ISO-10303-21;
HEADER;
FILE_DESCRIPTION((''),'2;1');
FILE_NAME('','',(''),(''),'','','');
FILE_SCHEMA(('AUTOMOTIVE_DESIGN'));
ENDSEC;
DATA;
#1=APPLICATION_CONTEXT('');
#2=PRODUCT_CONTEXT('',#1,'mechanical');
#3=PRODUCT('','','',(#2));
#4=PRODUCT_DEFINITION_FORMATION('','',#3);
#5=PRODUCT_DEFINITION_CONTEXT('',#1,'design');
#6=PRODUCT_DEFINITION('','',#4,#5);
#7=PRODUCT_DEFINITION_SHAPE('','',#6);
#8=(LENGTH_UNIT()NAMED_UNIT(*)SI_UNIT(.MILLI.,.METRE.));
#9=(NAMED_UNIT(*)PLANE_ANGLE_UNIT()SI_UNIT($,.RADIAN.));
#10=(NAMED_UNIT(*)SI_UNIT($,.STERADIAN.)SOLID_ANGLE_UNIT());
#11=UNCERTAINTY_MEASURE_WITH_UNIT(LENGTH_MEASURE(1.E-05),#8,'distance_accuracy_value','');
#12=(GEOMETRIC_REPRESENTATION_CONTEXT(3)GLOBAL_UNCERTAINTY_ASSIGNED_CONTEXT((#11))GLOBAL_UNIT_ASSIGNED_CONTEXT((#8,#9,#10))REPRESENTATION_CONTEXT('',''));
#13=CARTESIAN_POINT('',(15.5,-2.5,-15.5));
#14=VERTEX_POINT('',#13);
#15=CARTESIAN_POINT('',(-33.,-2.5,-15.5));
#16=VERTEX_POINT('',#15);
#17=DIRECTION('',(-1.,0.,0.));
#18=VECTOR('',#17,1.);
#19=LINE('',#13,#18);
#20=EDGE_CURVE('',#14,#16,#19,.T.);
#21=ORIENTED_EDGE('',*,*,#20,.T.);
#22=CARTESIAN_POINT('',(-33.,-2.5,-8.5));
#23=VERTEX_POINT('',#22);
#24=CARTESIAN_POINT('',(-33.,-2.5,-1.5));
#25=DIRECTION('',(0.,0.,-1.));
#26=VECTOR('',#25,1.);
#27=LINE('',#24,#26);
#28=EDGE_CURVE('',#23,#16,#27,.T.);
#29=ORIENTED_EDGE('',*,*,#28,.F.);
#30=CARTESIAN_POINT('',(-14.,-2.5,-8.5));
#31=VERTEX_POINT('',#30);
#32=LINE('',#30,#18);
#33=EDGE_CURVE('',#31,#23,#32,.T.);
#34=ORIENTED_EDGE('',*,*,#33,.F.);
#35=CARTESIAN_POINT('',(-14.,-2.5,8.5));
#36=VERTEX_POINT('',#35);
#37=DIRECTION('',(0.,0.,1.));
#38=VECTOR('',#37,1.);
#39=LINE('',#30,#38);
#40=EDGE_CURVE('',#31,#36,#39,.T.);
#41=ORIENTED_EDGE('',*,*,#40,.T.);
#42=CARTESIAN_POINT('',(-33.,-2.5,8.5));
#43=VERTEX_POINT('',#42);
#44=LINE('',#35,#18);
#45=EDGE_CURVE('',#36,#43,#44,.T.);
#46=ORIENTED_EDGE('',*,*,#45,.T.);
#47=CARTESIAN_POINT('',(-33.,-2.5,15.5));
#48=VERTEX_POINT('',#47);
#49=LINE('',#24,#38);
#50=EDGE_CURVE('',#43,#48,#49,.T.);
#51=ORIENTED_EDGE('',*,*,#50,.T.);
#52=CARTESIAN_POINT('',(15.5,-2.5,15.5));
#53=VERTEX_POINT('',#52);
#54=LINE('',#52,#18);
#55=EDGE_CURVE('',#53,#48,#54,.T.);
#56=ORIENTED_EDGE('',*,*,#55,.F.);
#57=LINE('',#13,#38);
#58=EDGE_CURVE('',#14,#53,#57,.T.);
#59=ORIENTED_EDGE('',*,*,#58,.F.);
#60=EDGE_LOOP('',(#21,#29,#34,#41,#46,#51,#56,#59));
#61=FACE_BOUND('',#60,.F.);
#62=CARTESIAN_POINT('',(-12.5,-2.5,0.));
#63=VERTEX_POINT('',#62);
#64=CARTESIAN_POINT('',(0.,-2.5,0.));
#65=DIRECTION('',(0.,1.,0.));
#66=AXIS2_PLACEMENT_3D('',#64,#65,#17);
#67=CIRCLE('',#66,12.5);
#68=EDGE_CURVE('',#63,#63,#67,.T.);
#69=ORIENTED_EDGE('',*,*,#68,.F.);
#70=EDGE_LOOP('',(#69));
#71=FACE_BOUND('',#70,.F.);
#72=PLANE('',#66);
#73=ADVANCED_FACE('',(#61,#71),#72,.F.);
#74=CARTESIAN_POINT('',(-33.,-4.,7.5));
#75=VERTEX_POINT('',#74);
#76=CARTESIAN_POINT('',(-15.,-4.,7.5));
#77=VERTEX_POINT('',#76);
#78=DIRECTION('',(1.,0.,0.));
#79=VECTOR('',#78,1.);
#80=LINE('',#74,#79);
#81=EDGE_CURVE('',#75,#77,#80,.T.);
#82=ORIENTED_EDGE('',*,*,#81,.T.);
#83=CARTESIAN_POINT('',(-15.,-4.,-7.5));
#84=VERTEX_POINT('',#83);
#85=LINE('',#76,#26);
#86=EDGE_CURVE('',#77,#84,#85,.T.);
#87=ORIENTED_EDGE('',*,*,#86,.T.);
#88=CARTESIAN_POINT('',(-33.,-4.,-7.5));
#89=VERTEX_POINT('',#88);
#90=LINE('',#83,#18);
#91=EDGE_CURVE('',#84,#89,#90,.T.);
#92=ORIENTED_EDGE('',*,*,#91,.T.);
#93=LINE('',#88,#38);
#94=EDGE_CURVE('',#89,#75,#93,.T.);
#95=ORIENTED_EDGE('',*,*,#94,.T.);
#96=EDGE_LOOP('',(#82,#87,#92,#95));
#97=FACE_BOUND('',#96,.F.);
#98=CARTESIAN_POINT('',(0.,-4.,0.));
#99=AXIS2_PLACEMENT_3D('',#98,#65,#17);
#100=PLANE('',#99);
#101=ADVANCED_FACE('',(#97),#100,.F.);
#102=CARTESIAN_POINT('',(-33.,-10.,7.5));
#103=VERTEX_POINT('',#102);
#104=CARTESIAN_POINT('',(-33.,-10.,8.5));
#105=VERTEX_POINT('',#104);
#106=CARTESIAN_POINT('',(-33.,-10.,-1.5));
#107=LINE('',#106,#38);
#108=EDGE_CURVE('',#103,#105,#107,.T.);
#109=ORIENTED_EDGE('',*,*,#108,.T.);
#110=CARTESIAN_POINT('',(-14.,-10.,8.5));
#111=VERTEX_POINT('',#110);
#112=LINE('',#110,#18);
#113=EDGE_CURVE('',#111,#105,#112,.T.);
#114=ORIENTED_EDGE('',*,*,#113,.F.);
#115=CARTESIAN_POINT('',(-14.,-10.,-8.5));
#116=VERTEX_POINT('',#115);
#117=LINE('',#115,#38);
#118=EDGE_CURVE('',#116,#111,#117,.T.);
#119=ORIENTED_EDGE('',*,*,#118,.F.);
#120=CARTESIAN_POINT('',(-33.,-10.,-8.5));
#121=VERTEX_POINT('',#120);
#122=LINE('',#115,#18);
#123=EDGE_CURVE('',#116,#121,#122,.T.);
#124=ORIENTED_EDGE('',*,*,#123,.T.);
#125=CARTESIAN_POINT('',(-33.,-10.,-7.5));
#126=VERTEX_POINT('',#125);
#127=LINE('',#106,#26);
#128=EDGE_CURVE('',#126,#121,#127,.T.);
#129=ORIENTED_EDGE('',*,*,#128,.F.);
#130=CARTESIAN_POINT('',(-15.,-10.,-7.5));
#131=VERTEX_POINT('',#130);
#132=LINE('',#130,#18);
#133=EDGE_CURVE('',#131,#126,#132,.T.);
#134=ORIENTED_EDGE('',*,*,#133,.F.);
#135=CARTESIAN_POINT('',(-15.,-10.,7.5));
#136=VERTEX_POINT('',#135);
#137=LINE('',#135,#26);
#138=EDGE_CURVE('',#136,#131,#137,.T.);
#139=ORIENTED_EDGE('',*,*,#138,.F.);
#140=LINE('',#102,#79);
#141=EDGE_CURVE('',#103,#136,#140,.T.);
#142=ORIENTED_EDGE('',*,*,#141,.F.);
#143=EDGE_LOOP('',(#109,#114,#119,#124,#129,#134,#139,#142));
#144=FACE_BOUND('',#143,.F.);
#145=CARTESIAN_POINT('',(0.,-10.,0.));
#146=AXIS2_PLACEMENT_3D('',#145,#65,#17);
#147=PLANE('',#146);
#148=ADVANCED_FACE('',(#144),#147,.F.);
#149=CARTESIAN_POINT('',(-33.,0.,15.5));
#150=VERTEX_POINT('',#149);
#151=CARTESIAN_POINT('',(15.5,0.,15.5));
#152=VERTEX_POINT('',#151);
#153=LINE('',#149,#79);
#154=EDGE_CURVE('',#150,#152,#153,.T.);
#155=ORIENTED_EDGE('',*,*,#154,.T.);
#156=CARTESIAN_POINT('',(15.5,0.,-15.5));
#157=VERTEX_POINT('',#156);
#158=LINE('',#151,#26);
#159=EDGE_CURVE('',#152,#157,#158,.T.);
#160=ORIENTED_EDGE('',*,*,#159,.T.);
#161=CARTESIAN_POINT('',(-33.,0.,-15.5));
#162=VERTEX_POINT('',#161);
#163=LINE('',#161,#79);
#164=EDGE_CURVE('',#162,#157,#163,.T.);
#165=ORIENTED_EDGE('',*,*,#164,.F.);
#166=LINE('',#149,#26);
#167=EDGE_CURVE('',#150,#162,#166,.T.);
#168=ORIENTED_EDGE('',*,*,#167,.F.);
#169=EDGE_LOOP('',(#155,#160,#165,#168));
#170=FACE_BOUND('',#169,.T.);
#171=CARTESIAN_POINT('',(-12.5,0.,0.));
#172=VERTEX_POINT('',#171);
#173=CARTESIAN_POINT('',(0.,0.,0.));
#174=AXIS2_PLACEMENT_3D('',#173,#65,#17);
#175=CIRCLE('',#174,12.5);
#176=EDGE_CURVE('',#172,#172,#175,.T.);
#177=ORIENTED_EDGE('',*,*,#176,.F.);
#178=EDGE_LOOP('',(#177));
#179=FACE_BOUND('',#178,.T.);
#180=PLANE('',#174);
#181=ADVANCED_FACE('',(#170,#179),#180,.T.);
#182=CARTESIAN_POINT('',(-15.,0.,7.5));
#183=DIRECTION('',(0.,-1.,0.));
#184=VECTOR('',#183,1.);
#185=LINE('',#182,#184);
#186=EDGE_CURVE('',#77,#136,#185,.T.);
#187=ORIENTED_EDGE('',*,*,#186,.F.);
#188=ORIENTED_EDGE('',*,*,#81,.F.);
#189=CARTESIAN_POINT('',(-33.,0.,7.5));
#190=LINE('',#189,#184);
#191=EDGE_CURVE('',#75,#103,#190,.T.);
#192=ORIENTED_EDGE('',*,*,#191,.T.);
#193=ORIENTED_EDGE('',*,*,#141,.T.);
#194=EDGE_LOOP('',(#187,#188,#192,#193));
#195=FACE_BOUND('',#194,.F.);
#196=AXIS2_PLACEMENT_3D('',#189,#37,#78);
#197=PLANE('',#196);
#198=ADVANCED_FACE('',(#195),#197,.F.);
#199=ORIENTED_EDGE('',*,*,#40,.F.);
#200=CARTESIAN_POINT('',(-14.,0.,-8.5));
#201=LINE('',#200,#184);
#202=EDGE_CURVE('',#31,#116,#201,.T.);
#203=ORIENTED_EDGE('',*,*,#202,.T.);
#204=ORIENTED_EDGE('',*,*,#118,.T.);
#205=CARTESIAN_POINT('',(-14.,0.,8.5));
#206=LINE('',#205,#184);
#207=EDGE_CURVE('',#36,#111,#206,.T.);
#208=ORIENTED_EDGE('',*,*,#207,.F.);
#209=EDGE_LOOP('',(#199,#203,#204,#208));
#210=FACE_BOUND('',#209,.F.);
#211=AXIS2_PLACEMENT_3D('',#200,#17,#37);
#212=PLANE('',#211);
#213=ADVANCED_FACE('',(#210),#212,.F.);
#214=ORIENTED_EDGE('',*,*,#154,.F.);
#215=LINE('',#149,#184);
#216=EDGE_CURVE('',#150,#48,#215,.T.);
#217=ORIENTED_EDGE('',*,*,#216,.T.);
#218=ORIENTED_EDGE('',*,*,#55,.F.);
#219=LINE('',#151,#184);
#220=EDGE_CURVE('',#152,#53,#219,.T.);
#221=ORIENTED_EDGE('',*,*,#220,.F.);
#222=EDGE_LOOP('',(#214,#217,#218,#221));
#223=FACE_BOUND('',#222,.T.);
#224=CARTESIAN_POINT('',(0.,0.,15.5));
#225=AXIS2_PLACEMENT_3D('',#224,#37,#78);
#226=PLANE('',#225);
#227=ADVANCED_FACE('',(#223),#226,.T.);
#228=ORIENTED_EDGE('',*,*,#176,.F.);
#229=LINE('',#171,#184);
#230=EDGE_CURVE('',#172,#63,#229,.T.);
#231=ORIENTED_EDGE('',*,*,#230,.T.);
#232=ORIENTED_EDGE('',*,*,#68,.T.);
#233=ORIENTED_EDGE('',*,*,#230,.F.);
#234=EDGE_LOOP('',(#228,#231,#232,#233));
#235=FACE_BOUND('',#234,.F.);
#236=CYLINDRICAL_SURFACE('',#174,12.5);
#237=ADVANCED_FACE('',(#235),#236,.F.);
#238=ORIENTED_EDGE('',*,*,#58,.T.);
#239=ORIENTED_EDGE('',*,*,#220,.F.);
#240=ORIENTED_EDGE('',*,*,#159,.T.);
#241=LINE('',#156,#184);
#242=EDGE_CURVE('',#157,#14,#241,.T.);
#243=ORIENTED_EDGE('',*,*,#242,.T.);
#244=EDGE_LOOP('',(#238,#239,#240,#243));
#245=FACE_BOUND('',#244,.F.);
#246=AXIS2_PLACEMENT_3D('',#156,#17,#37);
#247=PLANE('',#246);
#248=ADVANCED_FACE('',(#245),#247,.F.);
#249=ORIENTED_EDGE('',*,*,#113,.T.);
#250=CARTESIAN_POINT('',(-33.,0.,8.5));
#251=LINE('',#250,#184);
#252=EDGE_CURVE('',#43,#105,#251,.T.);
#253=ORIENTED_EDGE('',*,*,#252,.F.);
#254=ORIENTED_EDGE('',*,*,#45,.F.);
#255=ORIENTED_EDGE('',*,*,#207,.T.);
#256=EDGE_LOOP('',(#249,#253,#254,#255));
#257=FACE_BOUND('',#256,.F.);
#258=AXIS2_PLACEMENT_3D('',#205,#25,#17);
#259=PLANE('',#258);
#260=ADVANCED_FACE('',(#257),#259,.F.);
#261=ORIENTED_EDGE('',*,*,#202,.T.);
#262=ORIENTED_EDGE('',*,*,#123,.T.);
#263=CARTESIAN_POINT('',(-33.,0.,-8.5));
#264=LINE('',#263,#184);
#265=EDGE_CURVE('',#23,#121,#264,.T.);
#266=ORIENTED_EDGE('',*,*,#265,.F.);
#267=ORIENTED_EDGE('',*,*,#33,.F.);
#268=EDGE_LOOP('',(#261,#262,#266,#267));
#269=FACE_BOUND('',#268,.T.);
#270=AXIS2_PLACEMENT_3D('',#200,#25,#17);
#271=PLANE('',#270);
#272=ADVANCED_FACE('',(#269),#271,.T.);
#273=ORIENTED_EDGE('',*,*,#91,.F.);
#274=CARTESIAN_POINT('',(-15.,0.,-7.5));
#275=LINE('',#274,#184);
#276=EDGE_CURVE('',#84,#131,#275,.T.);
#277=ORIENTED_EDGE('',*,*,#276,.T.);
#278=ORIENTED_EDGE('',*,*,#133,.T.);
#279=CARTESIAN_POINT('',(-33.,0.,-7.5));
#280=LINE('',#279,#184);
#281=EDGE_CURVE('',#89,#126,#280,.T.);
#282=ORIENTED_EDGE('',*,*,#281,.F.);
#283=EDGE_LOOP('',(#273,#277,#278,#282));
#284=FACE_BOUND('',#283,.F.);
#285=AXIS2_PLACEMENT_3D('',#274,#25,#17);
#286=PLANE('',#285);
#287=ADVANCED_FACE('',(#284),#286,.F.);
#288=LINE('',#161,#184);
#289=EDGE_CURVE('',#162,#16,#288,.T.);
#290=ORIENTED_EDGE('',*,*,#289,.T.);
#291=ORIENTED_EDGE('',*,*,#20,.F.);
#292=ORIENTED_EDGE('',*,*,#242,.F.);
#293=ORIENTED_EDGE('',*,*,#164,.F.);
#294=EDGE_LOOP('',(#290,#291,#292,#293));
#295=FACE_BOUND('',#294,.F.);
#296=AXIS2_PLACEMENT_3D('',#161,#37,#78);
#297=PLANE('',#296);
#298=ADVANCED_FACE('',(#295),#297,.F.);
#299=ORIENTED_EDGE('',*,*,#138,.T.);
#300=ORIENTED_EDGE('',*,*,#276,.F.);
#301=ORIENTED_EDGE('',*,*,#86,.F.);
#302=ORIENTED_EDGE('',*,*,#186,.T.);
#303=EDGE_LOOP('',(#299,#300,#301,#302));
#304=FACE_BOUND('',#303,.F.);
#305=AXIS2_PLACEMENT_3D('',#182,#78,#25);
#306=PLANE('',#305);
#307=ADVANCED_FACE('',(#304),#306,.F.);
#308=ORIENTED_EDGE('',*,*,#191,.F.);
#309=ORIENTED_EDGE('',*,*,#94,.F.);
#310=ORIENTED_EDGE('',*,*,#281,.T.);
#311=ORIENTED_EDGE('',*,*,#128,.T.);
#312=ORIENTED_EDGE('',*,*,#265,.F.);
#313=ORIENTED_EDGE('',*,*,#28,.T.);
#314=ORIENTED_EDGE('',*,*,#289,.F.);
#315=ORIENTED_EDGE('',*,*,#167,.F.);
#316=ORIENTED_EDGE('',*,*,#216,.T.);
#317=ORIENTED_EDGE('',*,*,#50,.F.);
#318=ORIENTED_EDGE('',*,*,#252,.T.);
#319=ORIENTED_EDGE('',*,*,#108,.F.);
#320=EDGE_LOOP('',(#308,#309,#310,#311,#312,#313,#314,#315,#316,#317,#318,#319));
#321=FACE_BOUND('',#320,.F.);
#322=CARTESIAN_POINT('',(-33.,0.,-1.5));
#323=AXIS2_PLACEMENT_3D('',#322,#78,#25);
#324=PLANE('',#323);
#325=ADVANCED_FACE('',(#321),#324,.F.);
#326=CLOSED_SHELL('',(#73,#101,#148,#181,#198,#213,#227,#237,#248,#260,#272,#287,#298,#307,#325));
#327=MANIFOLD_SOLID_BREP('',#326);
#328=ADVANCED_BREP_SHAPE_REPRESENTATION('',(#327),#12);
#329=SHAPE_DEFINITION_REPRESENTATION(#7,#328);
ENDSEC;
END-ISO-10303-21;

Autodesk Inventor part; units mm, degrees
ref_plane "YZ Plane" through (0, 0, 0) normal (1, 0, 0) x (0, 1, 0)
ref_plane "XZ Plane" through (0, 0, 0) normal (0, 1, 0) x (-1, 0, 0)
ref_plane "XY Plane" through (0, 0, 0) normal (0, 0, 1) x (1, 0, 0)
sketch "Sketch1" plane through (0, 0, 0) normal (0, 1, 0) x (-1, 0, 0)
  circle A0 centre (0, 0) radius 12.5
  line L0 (0, -12.5) -> (30, -12.5) construction
  line L1 (0, 12.5) -> (30, 12.5) construction
  line L2 (30, 12.5) -> (30, -12.5) construction
  line L3 (0, -12.5) -> (16, -12.5) construction
  line L4 (0, 12.5) -> (16, 12.5) construction
  line L5 (16, 12.5) -> (16, -12.5) construction
  line L6 (30, 12.5) -> (30, 8.5) construction
  line L7 (30, -12.5) -> (30, -8.5) construction
  line L8 (0, -12.5) -> (0, -15.5) construction
  line L9 (0, 12.5) -> (0, 15.5) construction
  line L10 (30, -1.5) -> (33, -1.5) construction
  line L11 (-12.5, 0) -> (-15.5, 0) construction
  line L12 (33, -1.5) -> (33, -15.5)
  line L13 (33, -15.5) -> (0, -15.5)
  line L14 (33, -1.5) -> (33, 15.5)
  line L15 (33, 15.5) -> (0, 15.5)
  line L16 (0, 15.5) -> (-15.5, 15.5)
  line L17 (-15.5, 0) -> (-15.5, 15.5)
  line L18 (0, -15.5) -> (-15.5, -15.5)
  line L19 (-15.5, -15.5) -> (-15.5, 0)
  line L20 (0, 12.5) -> (14, 12.5) construction
  line L21 (0, -12.5) -> (14, -12.5) construction
  line L22 (14, 12.5) -> (14, -12.5) construction
  line L23 (33, 8.5) -> (33, 11.5) construction
  line L24 (33, -8.5) -> (33, -9.5) construction
  line L25 (14, -11.5) -> (14, -6.5) construction
  line L26 (14, 10.5) -> (14, 5.5) construction
  line L27 (0, -12.5) -> (15, -12.5) construction
  line L28 (0, 12.5) -> (15, 12.5) construction
  line L29 (15, 12.5) -> (15, -12.5) construction
  line L30 (14, -11.5) -> (14, -6.5) construction
  line L31 (14, -12.5) -> (14, -7.5) construction
  line L32 (14, 12.5) -> (14, 7.5) construction
  line L33 (14, 7.5) -> (30, 7.5) construction
  line L34 (14, -7.5) -> (30, -7.5) construction
  line L35 (16, -7.5) -> (16, -8.5) construction
  line L36 (16, 7.5) -> (16, 8.5) construction
  line L37 (16, 7.5) -> (16, 6.5) construction
  line L38 (16, -7.5) -> (16, -6.5) construction
  line L39 (30, -8.5) -> (14, -8.5) construction
  line L40 (30, 8.5) -> (14, 8.5) construction
  line L41 (14, -8.5) -> (33, -8.5)
  line L42 (14, 8.5) -> (33, 8.5)
  line L43 (33, 7.5) -> (15, 7.5)
  line L44 (15, 7.5) -> (15, -7.5)
  line L45 (15, -7.5) -> (33, -7.5)
  line L46 (14, -8.5) -> (14, 8.5)
  line L47 (33, -8.5) -> (33, 7.5)
  dimension "d0" = 25
  dimension "d1" = 30
  dimension "d2" = 30
  dimension "d3" = 16
  dimension "d4" = 16
  dimension "d5" = 4
  dimension "d6" = 4
  dimension "d7" = 3
  dimension "d8" = 3
  dimension "d9" = 3
  dimension "d10" = 3
  dimension "d16" = 14
  dimension "d17" = 14
  dimension "d26" = 15
  dimension "d27" = 15
  dimension "d29" = 5
  dimension "d30" = 5
  dimension "d31" = 1
  dimension "d32" = 1
  dimension "d33" = 1
  dimension "d34" = 1
extrude "Extrusion5" add sketch "Sketch1" against normal blind 2.5 contours L12 L13 L18 L19 L17 L16 L15 L14 L42 L46 L41
extrude "Extrusion6" add sketch "Sketch1" against normal blind 10 contours L12 L41 L46 L42 L14 L43 L44 L45
extrude "Extrusion7" add sketch "Sketch1" against normal blind 4 contours L12 L45 L44 L43 L14
properties part number "joystick_test_v2_3DPrint"
